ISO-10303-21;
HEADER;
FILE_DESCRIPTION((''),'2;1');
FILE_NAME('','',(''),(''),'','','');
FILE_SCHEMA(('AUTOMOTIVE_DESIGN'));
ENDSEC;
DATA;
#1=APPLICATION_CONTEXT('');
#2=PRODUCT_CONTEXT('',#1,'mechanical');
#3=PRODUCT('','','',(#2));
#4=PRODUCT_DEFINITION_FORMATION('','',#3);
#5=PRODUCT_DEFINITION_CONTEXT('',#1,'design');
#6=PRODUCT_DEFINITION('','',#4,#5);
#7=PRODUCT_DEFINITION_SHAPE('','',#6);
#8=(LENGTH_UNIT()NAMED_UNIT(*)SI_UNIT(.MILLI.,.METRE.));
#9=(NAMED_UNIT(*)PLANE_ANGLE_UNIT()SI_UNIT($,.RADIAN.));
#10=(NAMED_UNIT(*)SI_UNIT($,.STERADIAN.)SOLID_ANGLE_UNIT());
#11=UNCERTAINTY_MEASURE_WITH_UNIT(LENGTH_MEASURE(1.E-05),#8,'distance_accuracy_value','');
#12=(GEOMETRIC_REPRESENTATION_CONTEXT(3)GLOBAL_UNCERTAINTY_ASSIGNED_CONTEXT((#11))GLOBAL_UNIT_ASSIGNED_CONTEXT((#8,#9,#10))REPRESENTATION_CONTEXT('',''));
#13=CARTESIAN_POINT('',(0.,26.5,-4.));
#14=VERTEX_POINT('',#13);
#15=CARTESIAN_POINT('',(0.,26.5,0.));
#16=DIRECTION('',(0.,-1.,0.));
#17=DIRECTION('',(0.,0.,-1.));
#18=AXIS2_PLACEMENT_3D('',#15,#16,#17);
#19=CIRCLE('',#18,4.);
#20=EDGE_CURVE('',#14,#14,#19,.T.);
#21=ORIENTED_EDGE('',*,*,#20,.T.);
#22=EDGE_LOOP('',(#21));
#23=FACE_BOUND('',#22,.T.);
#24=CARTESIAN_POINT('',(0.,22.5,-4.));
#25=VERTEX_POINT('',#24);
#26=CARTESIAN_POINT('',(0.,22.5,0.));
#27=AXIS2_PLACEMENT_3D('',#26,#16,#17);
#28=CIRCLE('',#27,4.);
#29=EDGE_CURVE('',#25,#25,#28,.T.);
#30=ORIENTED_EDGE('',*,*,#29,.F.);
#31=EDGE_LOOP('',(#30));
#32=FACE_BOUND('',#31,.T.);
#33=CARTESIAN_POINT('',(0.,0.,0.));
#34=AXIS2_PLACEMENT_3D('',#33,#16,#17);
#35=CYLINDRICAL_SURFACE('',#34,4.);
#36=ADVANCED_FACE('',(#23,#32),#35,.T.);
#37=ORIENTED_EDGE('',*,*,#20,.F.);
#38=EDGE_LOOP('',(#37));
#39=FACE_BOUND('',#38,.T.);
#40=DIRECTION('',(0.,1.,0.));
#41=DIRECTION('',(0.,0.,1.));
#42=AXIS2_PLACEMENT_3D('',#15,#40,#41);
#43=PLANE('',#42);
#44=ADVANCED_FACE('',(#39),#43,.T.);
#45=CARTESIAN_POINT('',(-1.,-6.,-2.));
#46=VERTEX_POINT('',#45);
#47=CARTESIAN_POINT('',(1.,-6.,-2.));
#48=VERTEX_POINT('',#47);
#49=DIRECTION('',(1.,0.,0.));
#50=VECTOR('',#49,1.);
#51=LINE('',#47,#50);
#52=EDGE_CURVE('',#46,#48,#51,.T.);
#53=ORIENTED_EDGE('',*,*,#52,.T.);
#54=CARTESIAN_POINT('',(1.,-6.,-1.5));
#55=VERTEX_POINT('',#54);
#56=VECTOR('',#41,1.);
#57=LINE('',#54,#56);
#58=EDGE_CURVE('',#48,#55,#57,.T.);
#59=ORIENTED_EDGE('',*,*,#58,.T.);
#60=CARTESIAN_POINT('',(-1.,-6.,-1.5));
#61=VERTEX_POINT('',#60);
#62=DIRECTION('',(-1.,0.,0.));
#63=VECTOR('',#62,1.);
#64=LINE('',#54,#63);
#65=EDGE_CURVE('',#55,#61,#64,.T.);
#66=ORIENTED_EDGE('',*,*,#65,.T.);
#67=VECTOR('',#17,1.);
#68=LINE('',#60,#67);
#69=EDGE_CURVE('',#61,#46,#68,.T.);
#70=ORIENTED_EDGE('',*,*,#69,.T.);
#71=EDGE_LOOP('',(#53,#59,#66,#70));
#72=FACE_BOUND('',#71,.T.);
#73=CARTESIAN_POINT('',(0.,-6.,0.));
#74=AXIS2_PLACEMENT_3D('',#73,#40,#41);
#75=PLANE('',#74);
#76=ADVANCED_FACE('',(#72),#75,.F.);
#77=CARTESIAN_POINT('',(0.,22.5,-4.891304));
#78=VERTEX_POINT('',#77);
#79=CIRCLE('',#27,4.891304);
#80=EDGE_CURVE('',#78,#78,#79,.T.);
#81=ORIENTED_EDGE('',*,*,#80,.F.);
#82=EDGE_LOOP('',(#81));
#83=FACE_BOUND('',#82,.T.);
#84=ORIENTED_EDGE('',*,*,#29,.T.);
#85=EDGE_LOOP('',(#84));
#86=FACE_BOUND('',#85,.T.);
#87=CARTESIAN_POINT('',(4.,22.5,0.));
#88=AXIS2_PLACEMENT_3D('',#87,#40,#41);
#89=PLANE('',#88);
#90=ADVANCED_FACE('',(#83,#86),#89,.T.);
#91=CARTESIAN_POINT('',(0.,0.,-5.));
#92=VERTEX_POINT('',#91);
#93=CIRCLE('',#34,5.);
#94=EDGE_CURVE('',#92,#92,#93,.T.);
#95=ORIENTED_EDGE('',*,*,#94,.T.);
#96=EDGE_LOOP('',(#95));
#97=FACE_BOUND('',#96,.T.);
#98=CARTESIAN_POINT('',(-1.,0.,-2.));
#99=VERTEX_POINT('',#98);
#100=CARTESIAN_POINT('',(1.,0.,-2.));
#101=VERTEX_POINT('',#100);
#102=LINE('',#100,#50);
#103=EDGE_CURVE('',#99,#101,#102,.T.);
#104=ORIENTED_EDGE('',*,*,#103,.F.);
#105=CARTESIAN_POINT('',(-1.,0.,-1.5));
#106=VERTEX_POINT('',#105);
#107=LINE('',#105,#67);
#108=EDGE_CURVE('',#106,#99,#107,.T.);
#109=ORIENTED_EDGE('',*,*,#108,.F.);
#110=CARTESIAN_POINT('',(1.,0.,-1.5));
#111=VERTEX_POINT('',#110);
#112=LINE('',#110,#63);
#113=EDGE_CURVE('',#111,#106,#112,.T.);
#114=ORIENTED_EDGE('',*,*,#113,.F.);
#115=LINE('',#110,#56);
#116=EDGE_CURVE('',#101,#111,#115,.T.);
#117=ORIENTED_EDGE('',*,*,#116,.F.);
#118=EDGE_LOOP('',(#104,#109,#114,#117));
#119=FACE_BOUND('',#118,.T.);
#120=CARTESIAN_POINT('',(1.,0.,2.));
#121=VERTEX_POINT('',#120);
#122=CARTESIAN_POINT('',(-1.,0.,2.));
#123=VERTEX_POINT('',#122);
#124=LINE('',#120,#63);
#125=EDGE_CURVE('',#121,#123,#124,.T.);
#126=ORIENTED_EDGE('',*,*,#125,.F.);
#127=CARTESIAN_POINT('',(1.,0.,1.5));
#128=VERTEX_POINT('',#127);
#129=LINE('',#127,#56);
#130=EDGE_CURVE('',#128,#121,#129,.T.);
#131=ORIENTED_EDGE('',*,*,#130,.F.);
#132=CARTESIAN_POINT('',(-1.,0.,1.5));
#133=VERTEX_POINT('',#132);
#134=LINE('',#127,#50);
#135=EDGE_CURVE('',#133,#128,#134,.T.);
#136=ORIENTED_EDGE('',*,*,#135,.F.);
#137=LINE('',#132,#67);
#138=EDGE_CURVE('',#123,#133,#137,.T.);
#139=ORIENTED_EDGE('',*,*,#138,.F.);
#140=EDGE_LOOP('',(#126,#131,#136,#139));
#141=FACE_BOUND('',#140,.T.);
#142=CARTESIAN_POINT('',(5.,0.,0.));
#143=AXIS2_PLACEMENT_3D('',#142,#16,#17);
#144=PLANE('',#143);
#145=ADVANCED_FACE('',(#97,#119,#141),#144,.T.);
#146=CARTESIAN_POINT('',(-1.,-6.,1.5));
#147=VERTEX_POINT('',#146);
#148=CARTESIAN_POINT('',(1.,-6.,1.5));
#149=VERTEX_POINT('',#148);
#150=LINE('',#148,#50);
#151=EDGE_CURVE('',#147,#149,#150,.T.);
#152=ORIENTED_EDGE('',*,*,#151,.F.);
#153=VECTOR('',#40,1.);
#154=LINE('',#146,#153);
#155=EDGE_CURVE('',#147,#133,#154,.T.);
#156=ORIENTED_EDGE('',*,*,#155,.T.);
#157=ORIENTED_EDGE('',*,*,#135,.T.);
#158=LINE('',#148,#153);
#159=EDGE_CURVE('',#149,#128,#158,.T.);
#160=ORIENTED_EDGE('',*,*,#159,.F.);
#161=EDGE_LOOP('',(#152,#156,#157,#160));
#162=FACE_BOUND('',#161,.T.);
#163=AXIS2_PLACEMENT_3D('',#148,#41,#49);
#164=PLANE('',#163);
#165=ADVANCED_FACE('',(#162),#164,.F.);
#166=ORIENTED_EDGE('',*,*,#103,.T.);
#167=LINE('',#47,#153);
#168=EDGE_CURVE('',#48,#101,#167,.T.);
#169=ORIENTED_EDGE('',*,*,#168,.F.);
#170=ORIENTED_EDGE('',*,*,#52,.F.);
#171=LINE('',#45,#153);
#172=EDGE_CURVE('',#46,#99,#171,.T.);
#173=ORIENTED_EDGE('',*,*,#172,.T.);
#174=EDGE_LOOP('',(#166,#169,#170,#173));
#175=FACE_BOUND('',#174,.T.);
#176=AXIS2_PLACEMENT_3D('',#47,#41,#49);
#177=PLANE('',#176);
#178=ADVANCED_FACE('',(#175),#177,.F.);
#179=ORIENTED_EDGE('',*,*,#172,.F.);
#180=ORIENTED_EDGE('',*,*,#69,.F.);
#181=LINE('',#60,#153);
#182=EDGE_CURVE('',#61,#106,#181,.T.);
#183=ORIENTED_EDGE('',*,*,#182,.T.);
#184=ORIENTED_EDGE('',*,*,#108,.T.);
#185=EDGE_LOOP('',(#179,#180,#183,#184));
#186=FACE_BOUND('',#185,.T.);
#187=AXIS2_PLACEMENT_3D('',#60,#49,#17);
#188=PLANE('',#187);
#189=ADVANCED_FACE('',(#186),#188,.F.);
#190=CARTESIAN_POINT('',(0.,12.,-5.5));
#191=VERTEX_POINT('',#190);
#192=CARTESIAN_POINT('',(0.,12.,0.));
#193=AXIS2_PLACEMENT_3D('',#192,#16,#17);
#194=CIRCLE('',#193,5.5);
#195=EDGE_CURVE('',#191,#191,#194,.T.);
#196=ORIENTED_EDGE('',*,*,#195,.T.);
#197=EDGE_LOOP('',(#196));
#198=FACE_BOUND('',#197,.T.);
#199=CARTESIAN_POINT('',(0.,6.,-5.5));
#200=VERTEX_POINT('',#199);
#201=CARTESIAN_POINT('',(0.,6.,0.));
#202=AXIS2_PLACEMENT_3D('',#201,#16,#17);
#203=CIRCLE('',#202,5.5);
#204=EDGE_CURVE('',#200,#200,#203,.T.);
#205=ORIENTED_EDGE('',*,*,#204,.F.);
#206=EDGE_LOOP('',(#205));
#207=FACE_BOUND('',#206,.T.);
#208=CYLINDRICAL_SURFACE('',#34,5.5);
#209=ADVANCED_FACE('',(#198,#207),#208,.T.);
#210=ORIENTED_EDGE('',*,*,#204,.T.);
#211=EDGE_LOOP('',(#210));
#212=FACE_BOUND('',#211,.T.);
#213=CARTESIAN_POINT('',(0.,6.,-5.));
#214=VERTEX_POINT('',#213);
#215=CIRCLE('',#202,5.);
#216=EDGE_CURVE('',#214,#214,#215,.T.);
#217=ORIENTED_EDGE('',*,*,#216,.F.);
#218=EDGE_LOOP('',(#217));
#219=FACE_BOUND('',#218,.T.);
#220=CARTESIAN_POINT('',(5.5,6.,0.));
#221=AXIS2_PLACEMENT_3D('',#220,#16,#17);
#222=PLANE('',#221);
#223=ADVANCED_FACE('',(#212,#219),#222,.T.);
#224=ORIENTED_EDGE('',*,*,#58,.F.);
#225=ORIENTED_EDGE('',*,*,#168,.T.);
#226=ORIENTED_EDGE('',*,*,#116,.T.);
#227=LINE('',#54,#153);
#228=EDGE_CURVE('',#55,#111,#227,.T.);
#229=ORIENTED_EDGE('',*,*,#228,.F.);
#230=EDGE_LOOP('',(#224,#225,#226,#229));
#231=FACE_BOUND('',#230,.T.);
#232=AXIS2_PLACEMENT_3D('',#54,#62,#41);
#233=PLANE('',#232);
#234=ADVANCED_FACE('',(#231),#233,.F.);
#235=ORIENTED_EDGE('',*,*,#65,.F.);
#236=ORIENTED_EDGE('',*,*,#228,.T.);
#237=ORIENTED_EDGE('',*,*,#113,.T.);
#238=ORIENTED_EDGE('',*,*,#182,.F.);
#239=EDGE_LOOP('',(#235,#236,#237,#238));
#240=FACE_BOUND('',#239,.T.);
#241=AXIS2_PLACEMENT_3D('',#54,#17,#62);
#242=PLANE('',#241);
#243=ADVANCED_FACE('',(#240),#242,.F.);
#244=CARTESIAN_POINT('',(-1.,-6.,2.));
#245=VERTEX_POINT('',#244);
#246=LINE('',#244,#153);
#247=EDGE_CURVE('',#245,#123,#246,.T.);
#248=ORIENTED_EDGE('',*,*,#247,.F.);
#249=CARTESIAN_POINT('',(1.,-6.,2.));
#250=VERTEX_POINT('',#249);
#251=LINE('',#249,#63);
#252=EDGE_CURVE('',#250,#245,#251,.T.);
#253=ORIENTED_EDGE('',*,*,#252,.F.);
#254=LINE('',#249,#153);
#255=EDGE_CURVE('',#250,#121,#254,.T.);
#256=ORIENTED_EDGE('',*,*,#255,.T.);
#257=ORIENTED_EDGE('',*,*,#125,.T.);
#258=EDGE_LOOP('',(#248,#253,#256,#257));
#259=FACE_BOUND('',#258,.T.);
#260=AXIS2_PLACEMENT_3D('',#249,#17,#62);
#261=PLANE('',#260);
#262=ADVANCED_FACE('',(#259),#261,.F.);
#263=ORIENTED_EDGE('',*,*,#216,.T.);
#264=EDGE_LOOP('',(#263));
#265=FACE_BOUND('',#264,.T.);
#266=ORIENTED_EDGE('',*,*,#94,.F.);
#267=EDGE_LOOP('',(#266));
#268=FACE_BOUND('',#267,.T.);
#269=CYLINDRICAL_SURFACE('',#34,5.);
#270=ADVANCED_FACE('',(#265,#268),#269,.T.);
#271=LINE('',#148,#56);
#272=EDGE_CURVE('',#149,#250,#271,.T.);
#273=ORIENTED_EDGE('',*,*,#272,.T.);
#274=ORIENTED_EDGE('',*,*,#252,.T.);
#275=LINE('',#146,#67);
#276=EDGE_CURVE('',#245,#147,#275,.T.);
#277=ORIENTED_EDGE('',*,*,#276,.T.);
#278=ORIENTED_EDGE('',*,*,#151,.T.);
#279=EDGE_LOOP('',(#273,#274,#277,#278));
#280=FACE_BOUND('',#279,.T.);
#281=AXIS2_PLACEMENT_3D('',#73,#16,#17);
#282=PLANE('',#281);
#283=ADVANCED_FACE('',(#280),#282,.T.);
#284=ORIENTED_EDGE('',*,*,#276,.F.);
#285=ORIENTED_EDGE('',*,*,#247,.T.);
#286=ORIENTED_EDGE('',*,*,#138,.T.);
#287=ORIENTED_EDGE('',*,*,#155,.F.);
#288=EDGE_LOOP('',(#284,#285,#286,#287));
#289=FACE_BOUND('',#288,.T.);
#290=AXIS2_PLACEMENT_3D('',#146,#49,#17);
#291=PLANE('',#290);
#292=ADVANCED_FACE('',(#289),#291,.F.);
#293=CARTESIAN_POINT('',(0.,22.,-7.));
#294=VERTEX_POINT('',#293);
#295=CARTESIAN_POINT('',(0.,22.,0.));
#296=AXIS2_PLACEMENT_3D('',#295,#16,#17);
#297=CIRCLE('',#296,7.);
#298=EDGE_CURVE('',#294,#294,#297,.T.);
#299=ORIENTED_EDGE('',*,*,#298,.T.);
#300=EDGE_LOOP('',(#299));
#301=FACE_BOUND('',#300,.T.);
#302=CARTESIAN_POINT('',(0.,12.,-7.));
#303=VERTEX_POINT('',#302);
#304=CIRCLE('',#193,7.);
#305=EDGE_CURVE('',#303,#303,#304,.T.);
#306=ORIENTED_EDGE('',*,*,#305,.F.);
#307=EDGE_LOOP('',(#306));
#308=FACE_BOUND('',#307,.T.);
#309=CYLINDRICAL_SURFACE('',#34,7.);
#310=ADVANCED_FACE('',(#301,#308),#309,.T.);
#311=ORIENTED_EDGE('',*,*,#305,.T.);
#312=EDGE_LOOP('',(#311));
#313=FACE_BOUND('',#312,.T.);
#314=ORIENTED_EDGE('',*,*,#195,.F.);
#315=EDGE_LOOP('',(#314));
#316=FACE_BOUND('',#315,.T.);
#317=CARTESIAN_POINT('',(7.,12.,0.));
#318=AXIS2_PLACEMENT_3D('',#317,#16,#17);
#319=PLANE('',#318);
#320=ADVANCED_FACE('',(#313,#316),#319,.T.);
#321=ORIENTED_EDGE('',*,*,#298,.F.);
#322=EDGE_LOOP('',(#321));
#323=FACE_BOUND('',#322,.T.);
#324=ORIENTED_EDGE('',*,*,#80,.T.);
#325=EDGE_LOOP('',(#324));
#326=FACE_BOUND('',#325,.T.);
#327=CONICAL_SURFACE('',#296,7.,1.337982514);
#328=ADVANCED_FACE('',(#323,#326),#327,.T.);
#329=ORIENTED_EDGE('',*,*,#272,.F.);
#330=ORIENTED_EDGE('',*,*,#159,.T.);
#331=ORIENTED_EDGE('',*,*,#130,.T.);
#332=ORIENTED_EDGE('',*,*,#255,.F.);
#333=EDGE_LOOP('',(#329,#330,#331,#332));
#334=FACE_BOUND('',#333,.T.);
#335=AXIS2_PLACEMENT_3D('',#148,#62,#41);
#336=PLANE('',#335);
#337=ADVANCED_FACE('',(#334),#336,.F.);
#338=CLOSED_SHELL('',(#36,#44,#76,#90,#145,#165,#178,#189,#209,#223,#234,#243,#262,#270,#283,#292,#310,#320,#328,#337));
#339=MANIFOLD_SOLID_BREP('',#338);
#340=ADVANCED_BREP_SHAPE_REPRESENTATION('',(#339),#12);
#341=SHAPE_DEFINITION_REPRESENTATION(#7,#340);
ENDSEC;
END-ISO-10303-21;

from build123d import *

# Parameters (mm, degrees)
ESBO_O2_W                = 2
ESBO_O2_H                = 0.5
RESSALTO_EXTRUS_O1_DEPTH = 6


with BuildPart() as part:
    # Esboço1 → Revolução1 (revolve)
    with BuildSketch(Plane.XY):
        Polygon((0, 26.5), (4, 26.5), (4, 22.5), (4.891304348, 22.5), (7, 22), (7, 12), (5.5, 12), (5.5, 6), (5, 6), (5, 0), (0, 0), align=None)
    revolve(axis=Axis((0, 0, 0), (0, 1, 0)))

    # Esboço2 → Ressalto-extrusão1 (add)
    with BuildSketch(Plane.XZ):
        with Locations((0, -1.75)):
            Rectangle(ESBO_O2_W, ESBO_O2_H)
        with Locations((0, 1.75)):
            Rectangle(ESBO_O2_W, ESBO_O2_H)
    extrude(amount=RESSALTO_EXTRUS_O1_DEPTH)


solid = part.part
